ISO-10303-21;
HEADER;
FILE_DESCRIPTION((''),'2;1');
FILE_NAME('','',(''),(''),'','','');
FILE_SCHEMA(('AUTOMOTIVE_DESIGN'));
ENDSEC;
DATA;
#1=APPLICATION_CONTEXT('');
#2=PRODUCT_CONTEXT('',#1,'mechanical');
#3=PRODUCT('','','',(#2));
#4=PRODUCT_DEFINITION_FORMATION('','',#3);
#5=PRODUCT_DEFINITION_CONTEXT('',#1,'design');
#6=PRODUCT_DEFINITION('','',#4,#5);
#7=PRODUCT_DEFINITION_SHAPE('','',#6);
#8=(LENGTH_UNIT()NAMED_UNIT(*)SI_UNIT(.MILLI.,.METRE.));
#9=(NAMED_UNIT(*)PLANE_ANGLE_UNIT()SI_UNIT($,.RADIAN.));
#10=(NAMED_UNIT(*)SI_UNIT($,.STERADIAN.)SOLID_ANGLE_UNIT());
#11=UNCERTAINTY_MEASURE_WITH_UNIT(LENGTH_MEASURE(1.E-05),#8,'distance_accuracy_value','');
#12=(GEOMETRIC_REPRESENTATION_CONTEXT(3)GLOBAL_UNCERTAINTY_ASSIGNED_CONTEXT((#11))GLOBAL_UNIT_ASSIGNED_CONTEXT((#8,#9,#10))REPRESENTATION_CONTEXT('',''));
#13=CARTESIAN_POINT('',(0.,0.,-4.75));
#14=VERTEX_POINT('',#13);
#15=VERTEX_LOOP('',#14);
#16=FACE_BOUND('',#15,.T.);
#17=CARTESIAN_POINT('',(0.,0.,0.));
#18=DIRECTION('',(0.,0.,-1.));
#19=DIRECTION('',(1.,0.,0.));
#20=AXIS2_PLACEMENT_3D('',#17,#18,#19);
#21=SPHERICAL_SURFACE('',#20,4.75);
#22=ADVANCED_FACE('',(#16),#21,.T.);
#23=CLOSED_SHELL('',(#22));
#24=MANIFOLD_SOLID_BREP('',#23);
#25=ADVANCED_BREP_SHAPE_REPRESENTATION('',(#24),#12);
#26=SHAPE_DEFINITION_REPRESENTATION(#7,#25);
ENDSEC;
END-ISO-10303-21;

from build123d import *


with BuildPart() as part:
    # Croquis1 → Revolución5 (revolve)
    with BuildSketch(Plane(origin=(0, 0, 0), x_dir=(1, 0, 0), z_dir=(0, 1, 0))):
        with BuildLine():
            Line((0, 4.75), (0, -4.75))
            ThreePointArc((0, -4.75), (4.75, 0), (0, 4.75))
        make_face()
    revolve(axis=Axis((0, 0, -4.75), (0, 0, 1)))


solid = part.part
